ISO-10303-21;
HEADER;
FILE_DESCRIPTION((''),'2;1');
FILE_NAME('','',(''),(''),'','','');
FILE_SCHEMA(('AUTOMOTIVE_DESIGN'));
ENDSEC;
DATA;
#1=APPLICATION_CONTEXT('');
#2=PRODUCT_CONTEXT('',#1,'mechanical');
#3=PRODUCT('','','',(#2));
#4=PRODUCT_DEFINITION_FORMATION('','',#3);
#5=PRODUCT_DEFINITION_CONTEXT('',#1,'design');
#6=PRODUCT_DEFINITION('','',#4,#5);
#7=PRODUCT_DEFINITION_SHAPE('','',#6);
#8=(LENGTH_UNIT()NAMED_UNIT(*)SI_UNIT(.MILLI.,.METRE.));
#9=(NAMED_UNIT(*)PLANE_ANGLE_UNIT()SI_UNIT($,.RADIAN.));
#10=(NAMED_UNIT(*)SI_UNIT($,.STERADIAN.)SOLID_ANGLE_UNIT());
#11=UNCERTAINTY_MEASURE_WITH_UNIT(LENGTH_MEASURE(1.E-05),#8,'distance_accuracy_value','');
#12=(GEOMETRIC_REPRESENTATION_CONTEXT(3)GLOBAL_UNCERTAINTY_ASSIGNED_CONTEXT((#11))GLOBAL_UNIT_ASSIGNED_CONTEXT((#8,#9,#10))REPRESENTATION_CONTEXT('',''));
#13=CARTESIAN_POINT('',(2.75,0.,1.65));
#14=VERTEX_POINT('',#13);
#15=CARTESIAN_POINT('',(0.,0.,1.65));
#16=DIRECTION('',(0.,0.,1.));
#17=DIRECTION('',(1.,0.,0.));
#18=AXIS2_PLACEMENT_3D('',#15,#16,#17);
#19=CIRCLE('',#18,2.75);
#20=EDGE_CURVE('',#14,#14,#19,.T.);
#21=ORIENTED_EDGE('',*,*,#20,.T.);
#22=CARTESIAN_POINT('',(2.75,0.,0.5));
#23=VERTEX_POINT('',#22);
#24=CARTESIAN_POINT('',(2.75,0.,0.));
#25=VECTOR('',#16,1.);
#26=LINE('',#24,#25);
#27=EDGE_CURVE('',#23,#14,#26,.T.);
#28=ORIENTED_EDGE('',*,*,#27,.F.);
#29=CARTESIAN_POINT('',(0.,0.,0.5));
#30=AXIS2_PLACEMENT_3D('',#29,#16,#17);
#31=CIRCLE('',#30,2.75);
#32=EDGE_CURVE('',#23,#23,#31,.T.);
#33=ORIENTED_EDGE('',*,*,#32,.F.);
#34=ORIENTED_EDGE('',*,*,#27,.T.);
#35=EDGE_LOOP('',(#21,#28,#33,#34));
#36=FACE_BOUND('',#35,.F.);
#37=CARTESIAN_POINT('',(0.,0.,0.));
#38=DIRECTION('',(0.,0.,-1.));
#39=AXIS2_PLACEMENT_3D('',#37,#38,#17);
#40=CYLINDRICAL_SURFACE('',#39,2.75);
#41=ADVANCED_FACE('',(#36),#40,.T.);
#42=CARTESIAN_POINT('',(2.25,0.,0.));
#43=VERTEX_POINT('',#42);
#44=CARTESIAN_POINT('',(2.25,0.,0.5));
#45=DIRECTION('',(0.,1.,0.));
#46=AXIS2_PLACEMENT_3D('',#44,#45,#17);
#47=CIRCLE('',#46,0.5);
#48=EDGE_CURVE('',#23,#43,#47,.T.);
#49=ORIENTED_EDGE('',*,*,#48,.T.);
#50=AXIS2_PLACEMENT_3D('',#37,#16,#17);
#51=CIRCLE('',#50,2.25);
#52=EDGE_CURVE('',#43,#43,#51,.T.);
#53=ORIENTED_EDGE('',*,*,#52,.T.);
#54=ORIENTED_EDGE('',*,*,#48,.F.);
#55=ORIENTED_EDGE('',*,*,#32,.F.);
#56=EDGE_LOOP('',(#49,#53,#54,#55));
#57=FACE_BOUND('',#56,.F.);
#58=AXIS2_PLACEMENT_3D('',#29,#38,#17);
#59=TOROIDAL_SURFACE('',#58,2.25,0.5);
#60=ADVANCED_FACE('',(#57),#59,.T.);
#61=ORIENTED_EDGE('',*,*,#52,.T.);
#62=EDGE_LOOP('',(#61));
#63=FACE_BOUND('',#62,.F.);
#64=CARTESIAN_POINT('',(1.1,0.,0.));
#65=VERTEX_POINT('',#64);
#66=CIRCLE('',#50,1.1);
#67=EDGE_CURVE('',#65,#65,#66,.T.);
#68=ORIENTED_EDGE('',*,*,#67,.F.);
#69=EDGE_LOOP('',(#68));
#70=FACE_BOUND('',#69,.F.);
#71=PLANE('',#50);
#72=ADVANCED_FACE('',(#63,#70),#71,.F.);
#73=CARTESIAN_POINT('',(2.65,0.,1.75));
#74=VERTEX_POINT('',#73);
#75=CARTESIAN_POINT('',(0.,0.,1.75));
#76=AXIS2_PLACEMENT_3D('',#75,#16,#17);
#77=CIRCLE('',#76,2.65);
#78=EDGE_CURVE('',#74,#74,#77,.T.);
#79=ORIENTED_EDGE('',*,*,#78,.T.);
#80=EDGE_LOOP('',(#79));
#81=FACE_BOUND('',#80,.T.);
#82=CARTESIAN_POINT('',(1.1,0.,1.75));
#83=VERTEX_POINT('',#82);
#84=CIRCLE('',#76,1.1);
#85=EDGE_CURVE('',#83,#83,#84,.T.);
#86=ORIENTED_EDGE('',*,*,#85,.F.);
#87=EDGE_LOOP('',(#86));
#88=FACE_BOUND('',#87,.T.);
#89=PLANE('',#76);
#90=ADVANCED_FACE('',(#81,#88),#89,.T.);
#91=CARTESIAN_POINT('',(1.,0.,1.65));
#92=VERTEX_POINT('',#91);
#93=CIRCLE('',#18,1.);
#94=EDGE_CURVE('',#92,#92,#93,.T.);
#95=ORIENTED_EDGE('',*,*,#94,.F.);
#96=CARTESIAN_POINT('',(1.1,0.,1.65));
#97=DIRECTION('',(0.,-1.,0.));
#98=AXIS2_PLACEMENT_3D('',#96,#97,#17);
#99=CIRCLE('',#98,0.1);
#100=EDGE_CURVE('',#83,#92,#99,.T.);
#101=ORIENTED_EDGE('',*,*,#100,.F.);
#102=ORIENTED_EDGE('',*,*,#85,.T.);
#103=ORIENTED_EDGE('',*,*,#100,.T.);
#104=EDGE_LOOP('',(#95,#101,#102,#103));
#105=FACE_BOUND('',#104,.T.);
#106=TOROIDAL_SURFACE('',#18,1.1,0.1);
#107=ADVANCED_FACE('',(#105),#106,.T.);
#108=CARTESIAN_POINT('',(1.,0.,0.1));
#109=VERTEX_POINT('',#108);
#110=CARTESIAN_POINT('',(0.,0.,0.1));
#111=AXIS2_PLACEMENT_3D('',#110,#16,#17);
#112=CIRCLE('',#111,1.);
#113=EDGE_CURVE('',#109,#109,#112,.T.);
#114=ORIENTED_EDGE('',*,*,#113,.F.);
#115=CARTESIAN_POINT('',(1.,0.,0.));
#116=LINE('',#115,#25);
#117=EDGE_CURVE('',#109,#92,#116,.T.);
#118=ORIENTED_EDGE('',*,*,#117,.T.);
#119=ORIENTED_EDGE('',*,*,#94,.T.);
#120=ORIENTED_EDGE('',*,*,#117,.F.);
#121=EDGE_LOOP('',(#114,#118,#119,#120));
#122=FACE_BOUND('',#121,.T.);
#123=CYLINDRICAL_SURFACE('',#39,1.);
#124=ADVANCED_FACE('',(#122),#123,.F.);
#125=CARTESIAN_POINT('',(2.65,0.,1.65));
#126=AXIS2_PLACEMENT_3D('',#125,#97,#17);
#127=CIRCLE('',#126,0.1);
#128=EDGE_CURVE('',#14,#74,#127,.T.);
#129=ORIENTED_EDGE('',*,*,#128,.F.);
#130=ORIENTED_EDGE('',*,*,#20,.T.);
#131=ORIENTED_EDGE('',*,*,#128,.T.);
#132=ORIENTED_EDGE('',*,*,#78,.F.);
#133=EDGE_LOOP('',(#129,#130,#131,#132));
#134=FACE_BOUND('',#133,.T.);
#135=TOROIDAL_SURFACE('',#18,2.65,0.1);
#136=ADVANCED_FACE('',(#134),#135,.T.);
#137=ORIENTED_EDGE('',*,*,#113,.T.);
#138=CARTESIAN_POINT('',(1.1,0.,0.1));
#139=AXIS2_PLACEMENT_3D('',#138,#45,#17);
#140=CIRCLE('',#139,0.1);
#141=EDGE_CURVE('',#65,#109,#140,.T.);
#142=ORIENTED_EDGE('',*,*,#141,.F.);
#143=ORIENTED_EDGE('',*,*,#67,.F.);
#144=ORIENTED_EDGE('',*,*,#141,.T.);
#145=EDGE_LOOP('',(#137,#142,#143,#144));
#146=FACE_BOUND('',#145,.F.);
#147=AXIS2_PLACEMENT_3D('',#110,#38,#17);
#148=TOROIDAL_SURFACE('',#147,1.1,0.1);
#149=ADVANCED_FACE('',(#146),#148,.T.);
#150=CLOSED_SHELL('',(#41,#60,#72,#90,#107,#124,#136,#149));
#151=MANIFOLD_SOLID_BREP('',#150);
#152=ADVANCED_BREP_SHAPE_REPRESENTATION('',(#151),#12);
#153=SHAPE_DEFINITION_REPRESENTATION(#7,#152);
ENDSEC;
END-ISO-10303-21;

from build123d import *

# Parameters (mm, degrees)
SKETCH1_R           = 2.75
SKETCH1_R_2         = 1
EXTRUDE_THIN1_DEPTH = 1.75
FILLET1_R           = 0.5
FILLET2_R           = 0.1
FILLET3_R           = 0.1


with BuildPart() as part:
    # Sketch1 → Extrude-Thin1 (new body)
    with BuildSketch(Plane.XY):
        Circle(SKETCH1_R)
        Circle(SKETCH1_R_2, mode=Mode.SUBTRACT)
    extrude(amount=EXTRUDE_THIN1_DEPTH)

    # Fillet1
    fillet1_edges = [part.edges().sort_by_distance(p)[0] for p in [
        (-2.75, 0, 0),
    ]]
    fillet(fillet1_edges, radius=FILLET1_R)

    # Fillet2
    fillet2_edges = [part.edges().sort_by_distance(p)[0] for p in [
        (-2.75, 0, 1.75),
        (-1, 0, 1.75),
    ]]
    fillet(fillet2_edges, radius=FILLET2_R)

    # Fillet3
    fillet3_edges = [part.edges().sort_by_distance(p)[0] for p in [
        (-1, 0, 0),
    ]]
    fillet(fillet3_edges, radius=FILLET3_R)


solid = part.part
